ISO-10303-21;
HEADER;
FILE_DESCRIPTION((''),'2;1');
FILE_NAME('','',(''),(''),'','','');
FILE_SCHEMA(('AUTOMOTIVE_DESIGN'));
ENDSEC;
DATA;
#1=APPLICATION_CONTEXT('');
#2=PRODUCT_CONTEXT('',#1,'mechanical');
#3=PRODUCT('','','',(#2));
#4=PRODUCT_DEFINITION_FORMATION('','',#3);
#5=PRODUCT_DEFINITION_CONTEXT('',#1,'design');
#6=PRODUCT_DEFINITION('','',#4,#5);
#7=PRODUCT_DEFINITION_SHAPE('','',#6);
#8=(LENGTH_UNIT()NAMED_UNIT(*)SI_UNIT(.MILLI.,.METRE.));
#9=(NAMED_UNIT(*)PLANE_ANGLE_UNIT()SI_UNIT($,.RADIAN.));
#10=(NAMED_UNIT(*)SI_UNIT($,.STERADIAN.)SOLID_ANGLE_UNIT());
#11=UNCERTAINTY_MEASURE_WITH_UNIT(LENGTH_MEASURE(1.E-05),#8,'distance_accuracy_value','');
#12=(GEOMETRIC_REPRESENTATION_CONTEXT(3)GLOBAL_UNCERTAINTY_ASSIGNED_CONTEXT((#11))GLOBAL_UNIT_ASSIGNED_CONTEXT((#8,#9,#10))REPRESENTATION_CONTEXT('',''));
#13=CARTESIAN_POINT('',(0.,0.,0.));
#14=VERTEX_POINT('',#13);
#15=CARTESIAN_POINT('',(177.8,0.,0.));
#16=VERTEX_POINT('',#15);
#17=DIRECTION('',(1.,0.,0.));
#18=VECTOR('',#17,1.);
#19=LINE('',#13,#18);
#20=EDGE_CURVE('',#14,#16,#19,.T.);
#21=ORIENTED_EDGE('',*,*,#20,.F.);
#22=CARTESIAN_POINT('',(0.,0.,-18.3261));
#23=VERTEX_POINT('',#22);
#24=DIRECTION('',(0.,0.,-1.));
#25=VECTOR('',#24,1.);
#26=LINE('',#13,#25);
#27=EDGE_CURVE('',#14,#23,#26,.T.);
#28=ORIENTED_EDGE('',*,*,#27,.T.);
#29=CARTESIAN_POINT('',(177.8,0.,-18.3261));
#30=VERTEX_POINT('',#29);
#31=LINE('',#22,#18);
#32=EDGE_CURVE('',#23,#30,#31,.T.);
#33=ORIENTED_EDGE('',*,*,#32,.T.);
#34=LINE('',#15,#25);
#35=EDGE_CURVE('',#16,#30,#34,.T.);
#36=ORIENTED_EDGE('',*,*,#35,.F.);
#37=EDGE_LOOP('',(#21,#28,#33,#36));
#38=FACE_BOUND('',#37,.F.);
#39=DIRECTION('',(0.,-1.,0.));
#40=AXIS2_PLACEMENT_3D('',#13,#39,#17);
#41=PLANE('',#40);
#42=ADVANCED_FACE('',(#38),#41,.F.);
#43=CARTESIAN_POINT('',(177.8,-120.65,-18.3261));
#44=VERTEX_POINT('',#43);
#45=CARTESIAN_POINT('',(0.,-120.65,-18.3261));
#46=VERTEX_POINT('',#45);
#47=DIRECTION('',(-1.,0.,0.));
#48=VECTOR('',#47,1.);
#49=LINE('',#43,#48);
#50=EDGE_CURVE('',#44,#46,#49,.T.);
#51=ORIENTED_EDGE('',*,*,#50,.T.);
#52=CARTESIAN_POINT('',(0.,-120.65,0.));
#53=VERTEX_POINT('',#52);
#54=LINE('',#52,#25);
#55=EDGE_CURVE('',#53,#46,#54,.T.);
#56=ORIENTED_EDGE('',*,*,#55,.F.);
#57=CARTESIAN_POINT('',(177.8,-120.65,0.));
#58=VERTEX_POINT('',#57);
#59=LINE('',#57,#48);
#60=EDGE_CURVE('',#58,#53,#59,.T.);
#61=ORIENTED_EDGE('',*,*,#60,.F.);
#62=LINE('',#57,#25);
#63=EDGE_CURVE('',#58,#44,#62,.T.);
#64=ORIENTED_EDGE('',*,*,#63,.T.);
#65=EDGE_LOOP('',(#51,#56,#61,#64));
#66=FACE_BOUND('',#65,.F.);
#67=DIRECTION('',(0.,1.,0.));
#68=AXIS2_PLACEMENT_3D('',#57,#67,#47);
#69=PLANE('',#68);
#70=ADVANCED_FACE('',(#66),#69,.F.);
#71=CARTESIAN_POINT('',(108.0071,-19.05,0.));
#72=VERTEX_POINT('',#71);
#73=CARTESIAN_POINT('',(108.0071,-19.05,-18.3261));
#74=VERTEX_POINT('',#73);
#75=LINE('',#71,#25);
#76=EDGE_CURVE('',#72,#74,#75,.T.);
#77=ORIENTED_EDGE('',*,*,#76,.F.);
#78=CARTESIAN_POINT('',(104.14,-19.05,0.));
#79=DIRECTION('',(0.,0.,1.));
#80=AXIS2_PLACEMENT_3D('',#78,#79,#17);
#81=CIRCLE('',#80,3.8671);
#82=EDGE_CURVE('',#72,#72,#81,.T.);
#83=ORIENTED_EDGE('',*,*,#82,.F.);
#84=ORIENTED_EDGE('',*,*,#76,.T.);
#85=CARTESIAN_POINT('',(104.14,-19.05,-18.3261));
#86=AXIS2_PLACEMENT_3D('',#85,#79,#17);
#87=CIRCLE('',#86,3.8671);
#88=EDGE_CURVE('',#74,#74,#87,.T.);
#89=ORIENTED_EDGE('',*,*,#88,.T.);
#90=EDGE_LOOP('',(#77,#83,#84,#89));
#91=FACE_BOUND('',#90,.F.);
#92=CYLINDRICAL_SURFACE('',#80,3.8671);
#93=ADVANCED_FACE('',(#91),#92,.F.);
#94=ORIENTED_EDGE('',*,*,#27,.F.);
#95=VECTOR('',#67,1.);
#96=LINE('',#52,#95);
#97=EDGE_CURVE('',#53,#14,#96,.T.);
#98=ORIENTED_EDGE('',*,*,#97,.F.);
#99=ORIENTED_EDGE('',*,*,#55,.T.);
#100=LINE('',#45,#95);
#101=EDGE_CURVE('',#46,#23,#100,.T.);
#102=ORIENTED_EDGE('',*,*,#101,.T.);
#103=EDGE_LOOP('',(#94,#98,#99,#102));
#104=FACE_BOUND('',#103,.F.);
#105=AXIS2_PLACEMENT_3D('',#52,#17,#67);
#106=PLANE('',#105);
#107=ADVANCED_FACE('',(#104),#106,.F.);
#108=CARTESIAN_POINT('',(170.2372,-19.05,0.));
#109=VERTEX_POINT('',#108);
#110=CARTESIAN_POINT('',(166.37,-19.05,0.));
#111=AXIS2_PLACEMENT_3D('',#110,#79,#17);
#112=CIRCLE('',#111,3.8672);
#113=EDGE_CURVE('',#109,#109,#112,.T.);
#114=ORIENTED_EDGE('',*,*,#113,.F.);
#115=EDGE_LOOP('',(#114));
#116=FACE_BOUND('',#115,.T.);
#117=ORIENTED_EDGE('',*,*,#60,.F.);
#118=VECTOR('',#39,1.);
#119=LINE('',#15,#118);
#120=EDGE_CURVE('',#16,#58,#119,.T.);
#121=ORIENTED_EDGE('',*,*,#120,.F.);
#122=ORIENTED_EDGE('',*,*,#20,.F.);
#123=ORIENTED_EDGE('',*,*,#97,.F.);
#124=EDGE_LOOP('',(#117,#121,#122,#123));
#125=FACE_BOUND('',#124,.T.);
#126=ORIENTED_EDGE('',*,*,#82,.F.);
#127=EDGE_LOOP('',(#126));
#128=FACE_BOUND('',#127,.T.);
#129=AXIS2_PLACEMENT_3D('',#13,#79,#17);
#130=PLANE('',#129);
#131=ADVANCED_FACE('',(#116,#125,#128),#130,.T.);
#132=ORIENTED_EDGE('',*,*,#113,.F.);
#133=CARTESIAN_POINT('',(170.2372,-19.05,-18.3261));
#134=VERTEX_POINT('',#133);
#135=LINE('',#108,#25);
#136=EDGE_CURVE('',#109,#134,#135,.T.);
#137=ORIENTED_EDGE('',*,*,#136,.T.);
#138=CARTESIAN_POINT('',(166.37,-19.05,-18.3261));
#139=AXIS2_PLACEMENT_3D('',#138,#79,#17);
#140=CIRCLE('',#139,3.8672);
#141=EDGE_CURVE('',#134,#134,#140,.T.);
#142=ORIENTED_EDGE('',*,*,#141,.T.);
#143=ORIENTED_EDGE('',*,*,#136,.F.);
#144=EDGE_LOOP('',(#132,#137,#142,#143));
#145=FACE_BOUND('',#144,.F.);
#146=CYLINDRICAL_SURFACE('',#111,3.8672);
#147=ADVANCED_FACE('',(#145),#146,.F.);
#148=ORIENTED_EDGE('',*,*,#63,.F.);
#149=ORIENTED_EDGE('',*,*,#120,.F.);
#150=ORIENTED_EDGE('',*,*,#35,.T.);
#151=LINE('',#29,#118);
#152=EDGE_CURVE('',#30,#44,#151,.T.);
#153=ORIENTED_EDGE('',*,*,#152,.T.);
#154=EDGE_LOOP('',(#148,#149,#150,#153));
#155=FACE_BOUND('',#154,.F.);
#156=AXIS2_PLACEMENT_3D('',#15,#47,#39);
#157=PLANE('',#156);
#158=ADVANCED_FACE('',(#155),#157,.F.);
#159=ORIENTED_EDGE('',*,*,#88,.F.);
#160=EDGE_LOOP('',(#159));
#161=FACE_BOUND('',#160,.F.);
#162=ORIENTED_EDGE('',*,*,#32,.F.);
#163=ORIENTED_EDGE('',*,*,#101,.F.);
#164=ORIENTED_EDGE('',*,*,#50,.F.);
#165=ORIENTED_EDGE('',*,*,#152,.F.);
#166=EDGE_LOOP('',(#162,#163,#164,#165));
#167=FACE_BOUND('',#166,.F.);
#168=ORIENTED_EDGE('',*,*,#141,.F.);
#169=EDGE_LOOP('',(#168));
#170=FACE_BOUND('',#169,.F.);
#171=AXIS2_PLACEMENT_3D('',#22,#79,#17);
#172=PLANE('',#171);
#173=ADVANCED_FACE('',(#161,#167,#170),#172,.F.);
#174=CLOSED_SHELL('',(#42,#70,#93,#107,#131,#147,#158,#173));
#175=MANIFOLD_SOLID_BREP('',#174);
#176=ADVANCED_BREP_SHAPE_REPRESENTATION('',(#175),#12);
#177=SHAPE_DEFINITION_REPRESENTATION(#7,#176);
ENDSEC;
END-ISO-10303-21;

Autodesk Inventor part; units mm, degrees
ref_plane "YZ Plane" through (0, 0, 0) normal (1, 0, 0) x (0, 1, 0)
ref_plane "XZ Plane" through (0, 0, 0) normal (0, 1, 0) x (-1, 0, 0)
ref_plane "XY Plane" through (0, 0, 0) normal (0, 0, 1) x (1, 0, 0)
sketch "Sketch1" plane through (0, 0, 0) normal (0, 0, 1) x (1, 0, 0)
  line L0 (0, 0) -> (177.8, 0)
  line L1 (177.8, 0) -> (177.8, -120.65)
  line L2 (177.8, -120.65) -> (0, -120.65)
  line L3 (0, -120.65) -> (0, 0)
  circle A0 centre (104.14, -19.05) radius 3.8671
  circle A1 centre (166.37, -19.05) radius 3.8672
  dimension "d0" = 177.8
  dimension "d1" = 120.65
  dimension "d2" = 7.7343
  dimension "d3" = 104.14
  dimension "d4" = 101.6
  dimension "d5" = 7.7343
  dimension "d6" = 62.23
extrude "Extrusion1" add sketch "Sketch1" against normal blind 18.3261
properties part number "kermit bumper ( Small 3)"
